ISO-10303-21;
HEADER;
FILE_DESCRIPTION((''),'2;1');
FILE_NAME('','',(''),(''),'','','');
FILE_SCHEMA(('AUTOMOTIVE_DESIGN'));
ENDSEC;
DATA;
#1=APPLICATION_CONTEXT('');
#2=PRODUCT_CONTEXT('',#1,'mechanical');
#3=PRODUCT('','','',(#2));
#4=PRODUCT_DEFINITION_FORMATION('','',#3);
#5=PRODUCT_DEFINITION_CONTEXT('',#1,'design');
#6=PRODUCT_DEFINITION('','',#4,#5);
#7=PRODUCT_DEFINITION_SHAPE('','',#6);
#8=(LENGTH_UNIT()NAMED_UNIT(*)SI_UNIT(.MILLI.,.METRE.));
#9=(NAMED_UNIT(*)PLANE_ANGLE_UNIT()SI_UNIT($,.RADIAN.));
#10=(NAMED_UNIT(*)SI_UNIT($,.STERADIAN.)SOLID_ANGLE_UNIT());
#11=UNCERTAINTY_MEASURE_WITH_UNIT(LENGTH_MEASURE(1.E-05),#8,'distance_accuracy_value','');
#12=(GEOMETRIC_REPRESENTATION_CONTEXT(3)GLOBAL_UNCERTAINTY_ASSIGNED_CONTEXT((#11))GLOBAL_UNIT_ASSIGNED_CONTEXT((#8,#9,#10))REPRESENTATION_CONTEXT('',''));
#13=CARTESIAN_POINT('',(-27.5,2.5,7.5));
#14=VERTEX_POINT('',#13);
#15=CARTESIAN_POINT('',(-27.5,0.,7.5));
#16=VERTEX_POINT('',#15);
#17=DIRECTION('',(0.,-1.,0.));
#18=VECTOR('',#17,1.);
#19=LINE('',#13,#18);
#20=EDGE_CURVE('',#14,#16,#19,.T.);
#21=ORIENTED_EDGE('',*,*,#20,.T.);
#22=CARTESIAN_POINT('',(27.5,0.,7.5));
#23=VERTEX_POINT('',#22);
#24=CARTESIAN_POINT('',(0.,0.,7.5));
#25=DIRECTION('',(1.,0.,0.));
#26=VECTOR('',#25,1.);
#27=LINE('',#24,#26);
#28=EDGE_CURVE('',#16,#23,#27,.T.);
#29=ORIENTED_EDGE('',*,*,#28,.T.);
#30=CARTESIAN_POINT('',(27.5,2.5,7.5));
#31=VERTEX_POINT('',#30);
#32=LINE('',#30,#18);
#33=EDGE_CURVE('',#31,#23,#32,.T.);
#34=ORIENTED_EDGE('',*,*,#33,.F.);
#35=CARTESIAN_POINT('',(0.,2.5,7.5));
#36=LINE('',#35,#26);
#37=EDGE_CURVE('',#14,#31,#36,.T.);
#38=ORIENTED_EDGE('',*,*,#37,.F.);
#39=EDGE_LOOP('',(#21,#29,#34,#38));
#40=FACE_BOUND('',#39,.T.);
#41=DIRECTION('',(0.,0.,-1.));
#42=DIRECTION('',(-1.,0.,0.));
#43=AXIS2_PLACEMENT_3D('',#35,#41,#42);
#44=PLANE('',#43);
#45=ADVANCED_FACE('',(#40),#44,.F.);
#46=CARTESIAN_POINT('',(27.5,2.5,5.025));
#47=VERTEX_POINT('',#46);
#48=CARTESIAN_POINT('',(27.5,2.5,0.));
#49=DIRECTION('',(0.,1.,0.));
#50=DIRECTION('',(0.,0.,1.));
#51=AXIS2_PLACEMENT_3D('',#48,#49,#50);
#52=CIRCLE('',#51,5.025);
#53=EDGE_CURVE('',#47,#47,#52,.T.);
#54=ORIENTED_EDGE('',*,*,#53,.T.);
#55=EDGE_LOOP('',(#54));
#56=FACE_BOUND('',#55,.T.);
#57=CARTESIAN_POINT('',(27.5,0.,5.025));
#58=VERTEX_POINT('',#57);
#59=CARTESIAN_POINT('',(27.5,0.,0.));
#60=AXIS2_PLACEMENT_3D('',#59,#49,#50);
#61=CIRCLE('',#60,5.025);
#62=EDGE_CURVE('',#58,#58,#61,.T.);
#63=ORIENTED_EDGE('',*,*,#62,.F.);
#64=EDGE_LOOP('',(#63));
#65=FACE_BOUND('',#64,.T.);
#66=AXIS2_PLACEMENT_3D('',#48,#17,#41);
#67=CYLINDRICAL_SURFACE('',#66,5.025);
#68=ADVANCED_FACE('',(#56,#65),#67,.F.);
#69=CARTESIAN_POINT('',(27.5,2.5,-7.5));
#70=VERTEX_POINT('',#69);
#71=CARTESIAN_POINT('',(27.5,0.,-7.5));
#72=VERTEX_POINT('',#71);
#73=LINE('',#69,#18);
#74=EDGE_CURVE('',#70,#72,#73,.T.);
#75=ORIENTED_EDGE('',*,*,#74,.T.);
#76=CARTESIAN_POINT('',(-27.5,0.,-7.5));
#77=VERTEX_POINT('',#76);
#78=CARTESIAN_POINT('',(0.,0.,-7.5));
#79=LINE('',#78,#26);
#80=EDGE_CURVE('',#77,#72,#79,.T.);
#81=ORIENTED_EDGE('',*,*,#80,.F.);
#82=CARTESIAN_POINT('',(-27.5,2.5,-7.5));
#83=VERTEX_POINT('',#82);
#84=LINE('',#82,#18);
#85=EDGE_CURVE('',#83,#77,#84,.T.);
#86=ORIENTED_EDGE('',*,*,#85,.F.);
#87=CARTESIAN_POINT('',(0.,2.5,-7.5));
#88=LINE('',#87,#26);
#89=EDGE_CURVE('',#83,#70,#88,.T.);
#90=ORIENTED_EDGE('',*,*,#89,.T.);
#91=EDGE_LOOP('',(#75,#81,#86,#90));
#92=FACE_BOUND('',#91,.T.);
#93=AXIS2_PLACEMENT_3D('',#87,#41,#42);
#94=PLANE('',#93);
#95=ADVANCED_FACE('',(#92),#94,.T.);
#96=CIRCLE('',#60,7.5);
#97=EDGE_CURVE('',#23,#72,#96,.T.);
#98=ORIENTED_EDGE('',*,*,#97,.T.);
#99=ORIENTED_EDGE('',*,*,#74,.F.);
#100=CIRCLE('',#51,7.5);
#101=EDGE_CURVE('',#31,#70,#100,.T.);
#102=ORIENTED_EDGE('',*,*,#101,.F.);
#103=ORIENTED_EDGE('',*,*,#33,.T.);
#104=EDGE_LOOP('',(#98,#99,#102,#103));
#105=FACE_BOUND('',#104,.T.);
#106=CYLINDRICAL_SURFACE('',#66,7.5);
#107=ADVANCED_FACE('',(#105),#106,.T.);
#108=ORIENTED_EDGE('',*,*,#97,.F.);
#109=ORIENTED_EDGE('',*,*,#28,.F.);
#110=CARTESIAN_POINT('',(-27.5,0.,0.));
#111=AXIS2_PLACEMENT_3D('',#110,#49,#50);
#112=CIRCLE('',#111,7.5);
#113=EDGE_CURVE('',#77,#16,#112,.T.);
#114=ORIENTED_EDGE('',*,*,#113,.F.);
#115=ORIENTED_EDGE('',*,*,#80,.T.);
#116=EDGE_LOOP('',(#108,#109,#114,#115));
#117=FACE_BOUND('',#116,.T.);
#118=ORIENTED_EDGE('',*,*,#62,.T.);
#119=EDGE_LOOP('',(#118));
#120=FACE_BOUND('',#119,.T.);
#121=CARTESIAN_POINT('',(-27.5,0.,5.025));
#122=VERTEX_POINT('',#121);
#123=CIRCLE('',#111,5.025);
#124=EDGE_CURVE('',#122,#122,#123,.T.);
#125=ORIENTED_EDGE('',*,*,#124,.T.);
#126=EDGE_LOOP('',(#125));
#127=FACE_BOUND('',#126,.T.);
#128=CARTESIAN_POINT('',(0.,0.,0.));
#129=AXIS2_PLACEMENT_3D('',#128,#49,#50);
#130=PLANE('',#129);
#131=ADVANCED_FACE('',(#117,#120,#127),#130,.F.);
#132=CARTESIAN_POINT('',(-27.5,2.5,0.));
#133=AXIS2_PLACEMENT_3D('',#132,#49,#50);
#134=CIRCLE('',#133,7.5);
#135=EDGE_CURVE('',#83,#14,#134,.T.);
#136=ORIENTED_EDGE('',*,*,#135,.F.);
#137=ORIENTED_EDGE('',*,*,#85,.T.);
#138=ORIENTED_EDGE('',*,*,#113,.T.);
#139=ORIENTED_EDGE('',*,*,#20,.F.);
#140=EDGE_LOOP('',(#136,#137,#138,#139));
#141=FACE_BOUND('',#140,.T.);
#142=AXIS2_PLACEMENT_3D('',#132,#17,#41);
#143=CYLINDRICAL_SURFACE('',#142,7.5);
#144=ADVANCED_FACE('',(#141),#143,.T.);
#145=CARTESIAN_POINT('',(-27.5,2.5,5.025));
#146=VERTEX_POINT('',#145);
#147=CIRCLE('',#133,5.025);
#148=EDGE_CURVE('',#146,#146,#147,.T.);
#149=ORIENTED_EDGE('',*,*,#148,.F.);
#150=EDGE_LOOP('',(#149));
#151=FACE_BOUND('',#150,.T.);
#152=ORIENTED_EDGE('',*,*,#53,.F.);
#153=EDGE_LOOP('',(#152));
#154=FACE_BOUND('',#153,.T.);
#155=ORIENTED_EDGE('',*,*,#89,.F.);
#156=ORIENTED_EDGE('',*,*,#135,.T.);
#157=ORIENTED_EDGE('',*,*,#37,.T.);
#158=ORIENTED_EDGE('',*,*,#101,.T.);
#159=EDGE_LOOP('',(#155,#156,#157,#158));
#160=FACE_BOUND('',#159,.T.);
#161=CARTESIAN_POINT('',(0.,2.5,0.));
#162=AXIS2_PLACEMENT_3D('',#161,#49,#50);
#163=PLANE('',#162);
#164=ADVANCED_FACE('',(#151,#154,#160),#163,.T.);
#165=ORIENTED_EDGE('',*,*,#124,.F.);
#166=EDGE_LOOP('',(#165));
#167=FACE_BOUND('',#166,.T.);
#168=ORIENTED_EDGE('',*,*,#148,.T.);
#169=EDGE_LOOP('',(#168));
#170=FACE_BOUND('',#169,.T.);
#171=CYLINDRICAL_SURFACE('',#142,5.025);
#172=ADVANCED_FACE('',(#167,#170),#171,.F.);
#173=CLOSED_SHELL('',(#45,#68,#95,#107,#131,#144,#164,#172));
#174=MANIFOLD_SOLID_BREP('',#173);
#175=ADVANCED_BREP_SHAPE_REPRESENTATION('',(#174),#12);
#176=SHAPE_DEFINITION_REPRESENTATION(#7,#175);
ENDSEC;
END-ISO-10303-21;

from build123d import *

# Parameters (mm, degrees)
SKETCH1_R           = 5.025
BOSS_EXTRUDE1_DEPTH = 2.5


with BuildPart() as part:
    # Sketch1 → Boss-Extrude1 (new body)
    with BuildSketch(Plane(origin=(0, 0, 0), x_dir=(1, 0, 0), z_dir=(0, 1, 0))):
        with BuildLine():
            Line((-27.5, 7.5), (27.5, 7.5))
            ThreePointArc((27.5, 7.5), (35, 0), (27.5, -7.5))
            Line((27.5, -7.5), (-27.5, -7.5))
            ThreePointArc((-27.5, -7.5), (-35, 0), (-27.5, 7.5))
        make_face()
        with Locations(Location((-27.5, 0, 0), (0, 0, 270))):
            Circle(SKETCH1_R, mode=Mode.SUBTRACT)
        with Locations(Location((27.5, 0, 0), (0, 0, 270))):
            Circle(SKETCH1_R, mode=Mode.SUBTRACT)
    extrude(amount=BOSS_EXTRUDE1_DEPTH)


solid = part.part
